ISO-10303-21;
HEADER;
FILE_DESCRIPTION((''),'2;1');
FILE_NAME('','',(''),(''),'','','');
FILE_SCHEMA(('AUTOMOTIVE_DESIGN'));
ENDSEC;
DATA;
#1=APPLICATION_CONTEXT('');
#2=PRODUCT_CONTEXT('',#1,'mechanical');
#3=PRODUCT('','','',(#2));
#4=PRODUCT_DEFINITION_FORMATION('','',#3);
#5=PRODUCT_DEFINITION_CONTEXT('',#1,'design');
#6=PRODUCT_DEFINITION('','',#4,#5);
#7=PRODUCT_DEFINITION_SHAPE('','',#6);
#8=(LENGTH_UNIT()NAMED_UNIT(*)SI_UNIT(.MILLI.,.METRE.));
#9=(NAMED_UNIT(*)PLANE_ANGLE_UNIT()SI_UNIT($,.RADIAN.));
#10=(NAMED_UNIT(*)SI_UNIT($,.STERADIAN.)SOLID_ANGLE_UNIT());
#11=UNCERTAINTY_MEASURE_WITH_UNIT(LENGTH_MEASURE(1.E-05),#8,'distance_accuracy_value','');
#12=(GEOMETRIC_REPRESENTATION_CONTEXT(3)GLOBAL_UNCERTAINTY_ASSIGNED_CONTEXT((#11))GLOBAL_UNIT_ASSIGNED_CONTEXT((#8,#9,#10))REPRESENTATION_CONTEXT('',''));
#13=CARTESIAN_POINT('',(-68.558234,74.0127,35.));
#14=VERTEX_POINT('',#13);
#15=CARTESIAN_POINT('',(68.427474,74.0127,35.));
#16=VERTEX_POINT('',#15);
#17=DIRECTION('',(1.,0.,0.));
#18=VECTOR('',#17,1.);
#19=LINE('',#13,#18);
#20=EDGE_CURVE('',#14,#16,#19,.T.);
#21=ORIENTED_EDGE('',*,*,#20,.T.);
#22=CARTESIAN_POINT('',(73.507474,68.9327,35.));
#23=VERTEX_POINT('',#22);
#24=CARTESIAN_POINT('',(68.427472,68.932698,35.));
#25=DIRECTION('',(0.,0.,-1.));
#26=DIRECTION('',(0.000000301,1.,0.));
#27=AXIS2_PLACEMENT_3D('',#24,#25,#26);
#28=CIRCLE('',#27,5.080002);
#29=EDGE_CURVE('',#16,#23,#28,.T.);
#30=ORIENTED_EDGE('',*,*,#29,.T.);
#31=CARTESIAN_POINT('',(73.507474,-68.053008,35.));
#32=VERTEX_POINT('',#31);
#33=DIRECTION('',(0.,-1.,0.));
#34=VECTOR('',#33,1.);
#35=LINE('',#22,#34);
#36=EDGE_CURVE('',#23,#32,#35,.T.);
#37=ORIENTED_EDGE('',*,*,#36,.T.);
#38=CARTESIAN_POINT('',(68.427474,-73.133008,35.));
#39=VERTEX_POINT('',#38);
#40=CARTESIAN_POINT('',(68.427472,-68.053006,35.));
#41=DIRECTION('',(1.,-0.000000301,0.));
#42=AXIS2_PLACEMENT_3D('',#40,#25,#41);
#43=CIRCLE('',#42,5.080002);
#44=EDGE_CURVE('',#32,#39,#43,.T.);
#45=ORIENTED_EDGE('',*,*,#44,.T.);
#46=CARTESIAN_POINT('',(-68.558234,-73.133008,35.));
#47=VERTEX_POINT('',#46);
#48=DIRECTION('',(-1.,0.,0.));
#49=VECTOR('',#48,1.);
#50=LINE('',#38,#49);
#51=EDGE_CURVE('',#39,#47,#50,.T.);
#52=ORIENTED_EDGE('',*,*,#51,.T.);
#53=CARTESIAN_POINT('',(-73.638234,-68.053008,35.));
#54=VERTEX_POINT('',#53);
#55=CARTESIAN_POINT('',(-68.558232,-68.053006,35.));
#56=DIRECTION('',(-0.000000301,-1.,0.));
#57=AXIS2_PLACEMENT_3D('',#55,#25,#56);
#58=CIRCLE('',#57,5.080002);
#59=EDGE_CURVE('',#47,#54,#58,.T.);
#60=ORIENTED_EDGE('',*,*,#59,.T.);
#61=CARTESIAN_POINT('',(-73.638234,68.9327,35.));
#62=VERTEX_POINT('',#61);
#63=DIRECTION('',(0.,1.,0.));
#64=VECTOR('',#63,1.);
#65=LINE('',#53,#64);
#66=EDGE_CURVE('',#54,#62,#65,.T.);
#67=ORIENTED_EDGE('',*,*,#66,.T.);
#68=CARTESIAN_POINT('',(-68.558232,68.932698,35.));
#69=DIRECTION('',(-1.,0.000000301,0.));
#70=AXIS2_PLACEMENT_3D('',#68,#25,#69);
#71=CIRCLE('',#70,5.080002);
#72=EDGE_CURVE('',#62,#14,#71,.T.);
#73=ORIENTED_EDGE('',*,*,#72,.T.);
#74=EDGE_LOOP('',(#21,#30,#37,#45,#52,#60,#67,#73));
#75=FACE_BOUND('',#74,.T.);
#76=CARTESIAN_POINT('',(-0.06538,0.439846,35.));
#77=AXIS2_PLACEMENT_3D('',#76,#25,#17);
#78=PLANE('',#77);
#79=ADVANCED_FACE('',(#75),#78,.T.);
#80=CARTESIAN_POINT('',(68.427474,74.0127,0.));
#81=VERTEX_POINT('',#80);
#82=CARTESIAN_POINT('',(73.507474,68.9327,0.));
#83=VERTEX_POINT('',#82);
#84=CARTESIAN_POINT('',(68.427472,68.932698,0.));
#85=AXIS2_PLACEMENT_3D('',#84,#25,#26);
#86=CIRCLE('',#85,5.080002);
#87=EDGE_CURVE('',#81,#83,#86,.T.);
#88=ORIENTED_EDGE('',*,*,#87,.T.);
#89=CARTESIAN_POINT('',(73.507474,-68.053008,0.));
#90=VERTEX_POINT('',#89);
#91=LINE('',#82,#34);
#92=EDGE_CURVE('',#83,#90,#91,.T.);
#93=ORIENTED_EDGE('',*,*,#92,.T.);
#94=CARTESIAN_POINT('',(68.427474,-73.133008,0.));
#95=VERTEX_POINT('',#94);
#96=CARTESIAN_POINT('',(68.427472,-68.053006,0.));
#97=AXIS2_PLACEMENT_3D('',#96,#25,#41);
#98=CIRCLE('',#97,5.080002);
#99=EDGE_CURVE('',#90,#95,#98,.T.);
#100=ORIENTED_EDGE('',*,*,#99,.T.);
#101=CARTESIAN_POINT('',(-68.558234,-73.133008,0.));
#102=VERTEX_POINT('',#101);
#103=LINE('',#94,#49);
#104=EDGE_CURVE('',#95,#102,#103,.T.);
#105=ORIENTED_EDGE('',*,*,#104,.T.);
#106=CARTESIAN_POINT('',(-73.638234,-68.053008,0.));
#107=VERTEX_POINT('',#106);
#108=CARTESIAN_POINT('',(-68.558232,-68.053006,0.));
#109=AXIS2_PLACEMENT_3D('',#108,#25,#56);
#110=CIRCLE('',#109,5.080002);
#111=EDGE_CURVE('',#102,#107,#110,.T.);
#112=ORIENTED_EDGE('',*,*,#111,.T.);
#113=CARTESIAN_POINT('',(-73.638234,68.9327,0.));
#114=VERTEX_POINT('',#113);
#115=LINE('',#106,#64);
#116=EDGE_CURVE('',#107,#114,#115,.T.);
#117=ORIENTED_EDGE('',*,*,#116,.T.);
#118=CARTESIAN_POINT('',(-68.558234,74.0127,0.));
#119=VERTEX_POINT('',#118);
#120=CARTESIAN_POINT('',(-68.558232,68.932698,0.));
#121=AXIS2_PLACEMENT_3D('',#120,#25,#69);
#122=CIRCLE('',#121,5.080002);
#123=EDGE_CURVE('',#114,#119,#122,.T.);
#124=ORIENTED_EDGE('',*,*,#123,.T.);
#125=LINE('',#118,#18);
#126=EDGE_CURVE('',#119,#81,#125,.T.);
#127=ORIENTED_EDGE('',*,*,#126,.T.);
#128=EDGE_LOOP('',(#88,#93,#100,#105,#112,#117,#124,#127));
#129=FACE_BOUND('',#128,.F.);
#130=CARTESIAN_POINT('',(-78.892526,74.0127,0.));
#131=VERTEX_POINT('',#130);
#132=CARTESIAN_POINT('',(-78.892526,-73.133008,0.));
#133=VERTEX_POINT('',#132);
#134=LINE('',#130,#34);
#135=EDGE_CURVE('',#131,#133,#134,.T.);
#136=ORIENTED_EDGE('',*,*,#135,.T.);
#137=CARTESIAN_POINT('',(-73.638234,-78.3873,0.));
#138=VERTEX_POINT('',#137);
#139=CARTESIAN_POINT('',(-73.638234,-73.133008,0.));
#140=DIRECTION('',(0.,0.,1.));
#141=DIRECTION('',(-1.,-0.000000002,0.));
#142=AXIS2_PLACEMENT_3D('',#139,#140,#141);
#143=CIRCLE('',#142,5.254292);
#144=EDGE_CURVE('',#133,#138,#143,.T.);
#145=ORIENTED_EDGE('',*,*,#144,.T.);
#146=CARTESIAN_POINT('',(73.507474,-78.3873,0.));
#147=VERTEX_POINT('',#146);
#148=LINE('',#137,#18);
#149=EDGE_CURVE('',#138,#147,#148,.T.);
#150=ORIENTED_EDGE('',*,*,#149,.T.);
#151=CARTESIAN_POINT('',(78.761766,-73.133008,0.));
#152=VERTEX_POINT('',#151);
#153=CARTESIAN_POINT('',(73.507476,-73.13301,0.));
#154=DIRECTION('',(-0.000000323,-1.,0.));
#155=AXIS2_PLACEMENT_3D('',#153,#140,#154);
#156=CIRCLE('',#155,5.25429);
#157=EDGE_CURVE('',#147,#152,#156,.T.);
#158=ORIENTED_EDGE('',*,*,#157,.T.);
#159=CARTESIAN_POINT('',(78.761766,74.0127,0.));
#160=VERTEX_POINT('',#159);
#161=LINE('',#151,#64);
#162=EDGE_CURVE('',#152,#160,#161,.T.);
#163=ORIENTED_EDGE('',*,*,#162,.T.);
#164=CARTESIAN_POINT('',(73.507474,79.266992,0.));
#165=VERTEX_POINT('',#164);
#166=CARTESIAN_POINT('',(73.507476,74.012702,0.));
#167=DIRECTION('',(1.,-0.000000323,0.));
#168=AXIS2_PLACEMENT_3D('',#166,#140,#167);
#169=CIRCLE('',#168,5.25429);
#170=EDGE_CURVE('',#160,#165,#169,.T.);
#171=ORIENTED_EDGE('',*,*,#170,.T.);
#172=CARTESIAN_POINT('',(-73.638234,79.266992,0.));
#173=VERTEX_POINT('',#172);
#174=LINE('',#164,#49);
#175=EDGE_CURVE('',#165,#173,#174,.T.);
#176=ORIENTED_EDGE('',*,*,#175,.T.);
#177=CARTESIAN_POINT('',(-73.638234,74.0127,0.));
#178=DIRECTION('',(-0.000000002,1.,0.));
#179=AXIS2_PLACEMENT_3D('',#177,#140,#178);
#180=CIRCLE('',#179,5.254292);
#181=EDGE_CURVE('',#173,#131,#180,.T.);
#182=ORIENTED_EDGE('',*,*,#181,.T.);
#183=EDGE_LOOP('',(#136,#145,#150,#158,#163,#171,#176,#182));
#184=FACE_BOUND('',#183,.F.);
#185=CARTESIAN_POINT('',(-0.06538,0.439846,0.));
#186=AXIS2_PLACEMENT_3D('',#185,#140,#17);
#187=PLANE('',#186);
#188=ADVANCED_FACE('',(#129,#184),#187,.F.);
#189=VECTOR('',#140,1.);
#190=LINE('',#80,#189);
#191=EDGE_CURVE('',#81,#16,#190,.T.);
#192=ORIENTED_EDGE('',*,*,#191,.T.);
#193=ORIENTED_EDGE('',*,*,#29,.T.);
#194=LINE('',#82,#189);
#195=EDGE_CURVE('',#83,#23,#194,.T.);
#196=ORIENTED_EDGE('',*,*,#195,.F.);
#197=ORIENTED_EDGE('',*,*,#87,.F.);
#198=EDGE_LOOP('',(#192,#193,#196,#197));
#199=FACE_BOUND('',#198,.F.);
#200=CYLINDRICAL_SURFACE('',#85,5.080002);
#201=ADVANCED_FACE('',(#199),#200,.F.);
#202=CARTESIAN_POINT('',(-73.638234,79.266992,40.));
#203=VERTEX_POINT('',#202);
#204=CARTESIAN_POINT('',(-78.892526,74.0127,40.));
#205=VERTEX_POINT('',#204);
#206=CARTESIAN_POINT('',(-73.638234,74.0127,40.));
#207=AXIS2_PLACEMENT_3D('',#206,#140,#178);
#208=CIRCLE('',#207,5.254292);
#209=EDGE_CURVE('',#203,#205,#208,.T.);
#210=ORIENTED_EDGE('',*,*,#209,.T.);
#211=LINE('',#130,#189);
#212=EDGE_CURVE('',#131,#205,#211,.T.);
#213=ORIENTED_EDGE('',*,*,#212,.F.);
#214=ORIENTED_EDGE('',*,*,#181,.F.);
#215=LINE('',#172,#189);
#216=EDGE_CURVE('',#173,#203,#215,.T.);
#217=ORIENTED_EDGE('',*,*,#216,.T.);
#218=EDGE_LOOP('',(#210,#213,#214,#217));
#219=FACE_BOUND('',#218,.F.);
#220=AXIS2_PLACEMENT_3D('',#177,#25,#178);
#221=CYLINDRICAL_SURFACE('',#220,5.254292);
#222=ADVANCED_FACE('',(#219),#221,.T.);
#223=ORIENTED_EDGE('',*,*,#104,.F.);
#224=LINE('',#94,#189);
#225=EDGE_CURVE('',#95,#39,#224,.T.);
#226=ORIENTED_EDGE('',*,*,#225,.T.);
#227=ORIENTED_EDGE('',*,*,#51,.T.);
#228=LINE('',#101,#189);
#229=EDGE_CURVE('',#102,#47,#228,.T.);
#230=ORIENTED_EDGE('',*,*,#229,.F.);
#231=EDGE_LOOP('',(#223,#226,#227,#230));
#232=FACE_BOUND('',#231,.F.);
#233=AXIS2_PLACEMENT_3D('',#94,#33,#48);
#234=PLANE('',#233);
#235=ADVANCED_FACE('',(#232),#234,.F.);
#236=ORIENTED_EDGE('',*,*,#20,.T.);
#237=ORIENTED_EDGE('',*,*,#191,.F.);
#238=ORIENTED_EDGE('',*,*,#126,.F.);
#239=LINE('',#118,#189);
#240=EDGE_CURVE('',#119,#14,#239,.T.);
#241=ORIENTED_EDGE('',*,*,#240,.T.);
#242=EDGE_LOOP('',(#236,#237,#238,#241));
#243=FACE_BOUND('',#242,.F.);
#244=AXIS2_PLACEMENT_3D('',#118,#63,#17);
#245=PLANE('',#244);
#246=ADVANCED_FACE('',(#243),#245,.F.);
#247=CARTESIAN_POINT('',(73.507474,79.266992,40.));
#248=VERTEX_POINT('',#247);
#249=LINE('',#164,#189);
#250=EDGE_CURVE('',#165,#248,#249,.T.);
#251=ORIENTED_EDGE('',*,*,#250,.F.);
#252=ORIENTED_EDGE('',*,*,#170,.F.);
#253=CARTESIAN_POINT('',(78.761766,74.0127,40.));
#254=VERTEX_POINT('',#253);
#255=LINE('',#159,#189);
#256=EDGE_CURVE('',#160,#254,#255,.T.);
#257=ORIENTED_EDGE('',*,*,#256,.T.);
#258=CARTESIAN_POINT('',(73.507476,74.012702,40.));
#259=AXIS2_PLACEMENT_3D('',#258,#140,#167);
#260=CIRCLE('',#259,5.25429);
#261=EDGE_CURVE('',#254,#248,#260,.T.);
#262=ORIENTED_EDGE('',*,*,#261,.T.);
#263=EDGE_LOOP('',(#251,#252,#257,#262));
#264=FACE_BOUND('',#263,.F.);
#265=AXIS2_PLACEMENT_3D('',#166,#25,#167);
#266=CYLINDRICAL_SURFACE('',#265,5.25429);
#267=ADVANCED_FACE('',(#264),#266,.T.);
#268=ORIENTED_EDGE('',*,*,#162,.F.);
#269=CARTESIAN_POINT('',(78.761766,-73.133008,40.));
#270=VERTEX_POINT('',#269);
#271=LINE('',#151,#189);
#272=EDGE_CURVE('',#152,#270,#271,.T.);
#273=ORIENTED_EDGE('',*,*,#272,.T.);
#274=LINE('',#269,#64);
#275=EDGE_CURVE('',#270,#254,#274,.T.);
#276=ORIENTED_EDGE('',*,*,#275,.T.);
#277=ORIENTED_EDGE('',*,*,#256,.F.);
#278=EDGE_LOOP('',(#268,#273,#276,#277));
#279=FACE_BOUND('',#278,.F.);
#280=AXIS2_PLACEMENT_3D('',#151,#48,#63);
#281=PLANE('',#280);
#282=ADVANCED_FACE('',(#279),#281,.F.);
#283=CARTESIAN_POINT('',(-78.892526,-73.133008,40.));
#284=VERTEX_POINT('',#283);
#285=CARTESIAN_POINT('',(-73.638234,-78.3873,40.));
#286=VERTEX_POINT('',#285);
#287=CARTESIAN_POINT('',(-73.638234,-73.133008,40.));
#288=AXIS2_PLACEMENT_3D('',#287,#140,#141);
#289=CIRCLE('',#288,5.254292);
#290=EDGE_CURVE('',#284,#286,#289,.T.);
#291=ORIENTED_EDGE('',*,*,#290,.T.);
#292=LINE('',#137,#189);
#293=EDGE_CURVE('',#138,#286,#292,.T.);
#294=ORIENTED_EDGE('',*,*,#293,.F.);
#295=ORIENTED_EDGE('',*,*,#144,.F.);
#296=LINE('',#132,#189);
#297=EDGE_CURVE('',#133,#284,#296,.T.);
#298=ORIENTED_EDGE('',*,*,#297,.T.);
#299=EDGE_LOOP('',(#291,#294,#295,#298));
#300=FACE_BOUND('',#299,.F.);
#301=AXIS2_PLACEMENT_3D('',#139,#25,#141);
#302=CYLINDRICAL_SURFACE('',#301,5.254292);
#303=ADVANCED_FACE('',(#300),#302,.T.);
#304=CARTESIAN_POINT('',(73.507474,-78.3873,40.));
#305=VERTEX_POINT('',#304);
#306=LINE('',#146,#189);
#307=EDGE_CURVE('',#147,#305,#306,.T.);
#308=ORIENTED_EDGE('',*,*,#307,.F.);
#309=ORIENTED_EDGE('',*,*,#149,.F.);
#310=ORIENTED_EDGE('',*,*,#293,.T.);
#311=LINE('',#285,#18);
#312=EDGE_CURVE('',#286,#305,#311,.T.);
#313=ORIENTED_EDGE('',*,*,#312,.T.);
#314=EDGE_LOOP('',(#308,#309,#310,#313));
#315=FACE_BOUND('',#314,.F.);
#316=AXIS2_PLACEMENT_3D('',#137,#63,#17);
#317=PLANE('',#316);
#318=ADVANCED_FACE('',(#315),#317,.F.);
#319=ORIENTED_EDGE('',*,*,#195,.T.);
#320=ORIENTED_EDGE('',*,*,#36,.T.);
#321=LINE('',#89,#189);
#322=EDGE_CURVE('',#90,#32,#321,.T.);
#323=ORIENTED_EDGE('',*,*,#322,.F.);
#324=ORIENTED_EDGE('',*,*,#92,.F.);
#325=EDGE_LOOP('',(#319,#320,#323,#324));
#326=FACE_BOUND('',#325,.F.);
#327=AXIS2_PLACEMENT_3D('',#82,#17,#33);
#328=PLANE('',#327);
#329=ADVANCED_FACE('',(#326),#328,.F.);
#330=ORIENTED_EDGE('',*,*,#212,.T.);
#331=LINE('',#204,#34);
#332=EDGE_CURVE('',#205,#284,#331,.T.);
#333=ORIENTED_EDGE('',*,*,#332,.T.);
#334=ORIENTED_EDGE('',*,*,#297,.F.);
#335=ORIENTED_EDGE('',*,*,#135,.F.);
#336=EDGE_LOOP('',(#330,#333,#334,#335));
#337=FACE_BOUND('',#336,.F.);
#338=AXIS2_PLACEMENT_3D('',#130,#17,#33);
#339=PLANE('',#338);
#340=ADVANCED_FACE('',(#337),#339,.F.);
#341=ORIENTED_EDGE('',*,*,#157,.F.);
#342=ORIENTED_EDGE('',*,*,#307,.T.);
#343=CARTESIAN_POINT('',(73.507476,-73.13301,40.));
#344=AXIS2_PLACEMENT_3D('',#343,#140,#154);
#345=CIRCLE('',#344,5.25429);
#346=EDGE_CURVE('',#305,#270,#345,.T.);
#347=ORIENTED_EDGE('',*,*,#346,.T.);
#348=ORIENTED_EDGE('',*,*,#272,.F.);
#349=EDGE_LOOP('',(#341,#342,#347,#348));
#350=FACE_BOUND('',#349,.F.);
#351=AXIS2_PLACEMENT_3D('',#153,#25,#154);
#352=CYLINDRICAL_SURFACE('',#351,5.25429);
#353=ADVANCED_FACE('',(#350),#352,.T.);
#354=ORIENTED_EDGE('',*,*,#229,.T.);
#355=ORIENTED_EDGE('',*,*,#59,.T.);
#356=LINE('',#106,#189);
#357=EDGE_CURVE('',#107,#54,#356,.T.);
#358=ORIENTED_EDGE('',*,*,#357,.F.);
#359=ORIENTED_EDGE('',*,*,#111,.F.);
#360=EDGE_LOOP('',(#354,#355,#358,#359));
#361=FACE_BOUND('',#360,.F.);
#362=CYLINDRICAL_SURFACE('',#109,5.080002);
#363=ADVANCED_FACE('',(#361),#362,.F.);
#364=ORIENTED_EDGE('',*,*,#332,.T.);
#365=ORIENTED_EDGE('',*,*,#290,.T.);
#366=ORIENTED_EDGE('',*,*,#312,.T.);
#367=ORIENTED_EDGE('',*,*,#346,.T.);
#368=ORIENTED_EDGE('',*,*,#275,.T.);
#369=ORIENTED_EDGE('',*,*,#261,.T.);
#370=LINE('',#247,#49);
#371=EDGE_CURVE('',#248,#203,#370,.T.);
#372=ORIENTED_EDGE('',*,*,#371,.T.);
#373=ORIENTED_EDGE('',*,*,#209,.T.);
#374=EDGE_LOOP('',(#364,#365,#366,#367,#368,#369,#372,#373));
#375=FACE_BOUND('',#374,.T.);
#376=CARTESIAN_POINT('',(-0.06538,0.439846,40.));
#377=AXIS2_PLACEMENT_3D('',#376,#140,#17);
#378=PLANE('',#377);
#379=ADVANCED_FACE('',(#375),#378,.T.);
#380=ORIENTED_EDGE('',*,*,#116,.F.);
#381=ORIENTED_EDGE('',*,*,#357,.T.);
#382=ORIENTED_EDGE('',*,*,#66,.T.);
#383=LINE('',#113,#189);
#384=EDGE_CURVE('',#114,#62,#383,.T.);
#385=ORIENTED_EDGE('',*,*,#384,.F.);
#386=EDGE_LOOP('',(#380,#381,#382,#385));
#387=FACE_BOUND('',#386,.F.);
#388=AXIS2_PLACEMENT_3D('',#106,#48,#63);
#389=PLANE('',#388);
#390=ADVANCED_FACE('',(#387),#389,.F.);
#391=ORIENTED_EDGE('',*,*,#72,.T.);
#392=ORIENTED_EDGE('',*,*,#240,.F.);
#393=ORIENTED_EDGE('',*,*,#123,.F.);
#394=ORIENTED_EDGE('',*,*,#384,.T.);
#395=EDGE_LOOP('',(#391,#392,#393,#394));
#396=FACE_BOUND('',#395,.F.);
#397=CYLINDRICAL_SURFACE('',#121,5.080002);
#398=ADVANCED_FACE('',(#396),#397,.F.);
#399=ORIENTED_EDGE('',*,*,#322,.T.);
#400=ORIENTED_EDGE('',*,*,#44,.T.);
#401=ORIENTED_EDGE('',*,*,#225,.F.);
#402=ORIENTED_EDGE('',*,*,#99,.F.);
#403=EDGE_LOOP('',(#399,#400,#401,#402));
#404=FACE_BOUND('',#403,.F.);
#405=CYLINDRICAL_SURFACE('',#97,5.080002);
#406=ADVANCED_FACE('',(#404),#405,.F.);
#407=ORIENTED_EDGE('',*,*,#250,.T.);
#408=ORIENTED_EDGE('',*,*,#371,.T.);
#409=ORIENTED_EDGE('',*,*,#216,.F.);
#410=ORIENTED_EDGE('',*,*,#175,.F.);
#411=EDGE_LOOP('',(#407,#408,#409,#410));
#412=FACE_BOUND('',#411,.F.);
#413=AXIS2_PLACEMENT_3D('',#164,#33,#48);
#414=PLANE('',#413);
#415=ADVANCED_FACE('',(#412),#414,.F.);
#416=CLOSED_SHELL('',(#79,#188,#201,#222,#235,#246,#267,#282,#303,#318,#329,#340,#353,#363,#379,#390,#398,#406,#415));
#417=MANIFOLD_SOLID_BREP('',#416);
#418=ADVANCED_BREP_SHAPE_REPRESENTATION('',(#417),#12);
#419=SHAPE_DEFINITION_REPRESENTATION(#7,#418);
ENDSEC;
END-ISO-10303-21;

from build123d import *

# Parameters (mm, degrees)
F1_DEPTH = 40
F3_DEPTH = 35


with BuildPart() as f1:
    # F0 (on Top) → F1 (new body)
    with BuildSketch(Plane.XY):
        with BuildLine():
            Line((73.507474, 79.266992), (-73.638234, 79.266992))
            ThreePointArc((-73.638234, 79.266992), (-77.353579, 77.728046), (-78.892526, 74.0127))
            Line((-78.892526, 74.0127), (-78.892526, -73.133008))
            ThreePointArc((-78.892526, -73.133008), (-77.353579, -76.848354), (-73.638234, -78.3873))
            Line((-73.638234, -78.3873), (73.507474, -78.3873))
            ThreePointArc((73.507474, -78.3873), (77.22282, -76.848354), (78.761766, -73.133008))
            Line((78.761766, -73.133008), (78.761766, 74.0127))
            ThreePointArc((78.761766, 74.0127), (77.22282, 77.728046), (73.507474, 79.266992))
        make_face()
    extrude(amount=F1_DEPTH)

    # F2 (on face) → F3 (cut)
    with BuildSketch(Plane(origin=(0, 0, 0), x_dir=(1, 0, 0), z_dir=(0, 0, -1))):
        with BuildLine():
            Line((68.427474, 73.133008), (-68.558234, 73.133008))
            ThreePointArc((-68.558234, 73.133008), (-72.150336, 71.64511), (-73.638234, 68.053008))
            Line((-73.638234, 68.053008), (-73.638234, -68.9327))
            ThreePointArc((-73.638234, -68.9327), (-72.150336, -72.524802), (-68.558234, -74.0127))
            Line((-68.558234, -74.0127), (68.427474, -74.0127))
            ThreePointArc((68.427474, -74.0127), (72.019576, -72.524802), (73.507474, -68.9327))
            Line((73.507474, -68.9327), (73.507474, 68.053008))
            ThreePointArc((73.507474, 68.053008), (72.019576, 71.64511), (68.427474, 73.133008))
        make_face()
    extrude(amount=-F3_DEPTH, mode=Mode.SUBTRACT)


solid = f1.part
